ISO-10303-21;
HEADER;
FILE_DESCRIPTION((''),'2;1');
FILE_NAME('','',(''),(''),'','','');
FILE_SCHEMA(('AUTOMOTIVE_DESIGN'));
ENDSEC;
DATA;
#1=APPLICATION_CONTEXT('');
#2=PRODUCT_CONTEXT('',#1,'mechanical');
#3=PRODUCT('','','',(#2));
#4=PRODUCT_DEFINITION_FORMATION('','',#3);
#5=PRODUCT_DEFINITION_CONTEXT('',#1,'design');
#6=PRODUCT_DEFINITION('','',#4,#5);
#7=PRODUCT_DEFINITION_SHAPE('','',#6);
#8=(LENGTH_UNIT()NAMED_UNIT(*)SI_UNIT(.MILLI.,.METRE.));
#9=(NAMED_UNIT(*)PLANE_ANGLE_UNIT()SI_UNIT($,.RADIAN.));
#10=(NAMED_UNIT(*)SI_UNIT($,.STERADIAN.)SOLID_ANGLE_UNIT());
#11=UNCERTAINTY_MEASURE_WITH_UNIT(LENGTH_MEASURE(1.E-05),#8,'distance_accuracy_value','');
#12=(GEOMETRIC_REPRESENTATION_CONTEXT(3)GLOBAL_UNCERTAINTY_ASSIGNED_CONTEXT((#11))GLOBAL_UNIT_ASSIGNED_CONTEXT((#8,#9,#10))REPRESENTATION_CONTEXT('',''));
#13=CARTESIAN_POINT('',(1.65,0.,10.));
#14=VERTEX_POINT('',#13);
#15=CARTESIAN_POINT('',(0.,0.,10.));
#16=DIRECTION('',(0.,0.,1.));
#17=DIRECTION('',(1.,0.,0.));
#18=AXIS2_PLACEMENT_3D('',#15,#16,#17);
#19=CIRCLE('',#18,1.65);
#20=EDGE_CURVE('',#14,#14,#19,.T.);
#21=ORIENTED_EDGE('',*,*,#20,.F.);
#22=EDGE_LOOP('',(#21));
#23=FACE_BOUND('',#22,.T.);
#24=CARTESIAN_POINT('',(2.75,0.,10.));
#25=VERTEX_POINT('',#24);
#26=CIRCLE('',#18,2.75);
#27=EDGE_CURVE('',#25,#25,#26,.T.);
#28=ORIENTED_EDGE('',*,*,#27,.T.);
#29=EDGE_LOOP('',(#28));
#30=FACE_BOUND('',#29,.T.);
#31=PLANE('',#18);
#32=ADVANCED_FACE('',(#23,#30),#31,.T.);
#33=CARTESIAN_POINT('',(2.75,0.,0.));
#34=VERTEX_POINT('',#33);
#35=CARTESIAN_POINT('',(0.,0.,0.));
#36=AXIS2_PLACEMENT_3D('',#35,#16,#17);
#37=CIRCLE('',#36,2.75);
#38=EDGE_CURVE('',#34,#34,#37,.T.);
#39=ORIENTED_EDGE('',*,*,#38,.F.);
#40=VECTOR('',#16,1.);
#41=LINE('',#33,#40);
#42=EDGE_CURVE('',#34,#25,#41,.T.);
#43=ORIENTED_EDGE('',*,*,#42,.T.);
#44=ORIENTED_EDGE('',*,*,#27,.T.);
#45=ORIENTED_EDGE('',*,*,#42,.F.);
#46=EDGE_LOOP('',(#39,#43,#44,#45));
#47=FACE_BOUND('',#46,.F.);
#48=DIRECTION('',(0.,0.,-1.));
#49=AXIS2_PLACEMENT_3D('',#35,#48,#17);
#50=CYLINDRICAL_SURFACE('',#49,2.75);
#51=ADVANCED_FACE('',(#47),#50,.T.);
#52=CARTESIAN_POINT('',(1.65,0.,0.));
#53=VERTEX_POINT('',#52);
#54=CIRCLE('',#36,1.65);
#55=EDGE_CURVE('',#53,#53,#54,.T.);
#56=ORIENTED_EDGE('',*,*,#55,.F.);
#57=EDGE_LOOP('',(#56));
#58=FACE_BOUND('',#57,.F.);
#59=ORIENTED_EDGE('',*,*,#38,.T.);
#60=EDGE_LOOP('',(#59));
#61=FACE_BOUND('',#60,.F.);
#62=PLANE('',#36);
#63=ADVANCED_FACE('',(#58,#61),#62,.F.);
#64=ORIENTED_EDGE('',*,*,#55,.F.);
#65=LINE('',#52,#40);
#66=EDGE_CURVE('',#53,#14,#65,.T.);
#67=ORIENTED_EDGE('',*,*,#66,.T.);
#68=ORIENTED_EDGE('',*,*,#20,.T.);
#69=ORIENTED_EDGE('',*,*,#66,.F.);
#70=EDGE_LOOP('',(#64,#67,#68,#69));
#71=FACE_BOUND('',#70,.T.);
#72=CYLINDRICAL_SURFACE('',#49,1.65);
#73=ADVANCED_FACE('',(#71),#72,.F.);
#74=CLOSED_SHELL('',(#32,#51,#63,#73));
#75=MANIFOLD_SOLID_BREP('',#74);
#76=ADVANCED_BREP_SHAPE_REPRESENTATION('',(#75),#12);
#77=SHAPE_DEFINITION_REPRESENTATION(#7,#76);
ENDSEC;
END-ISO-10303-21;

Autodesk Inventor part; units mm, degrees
ref_plane "YZ Plane" through (0, 0, 0) normal (1, 0, 0) x (0, 1, 0)
ref_plane "XZ Plane" through (0, 0, 0) normal (0, 1, 0) x (-1, 0, 0)
ref_plane "XY Plane" through (0, 0, 0) normal (0, 0, 1) x (1, 0, 0)
sketch "Sketch1" plane through (0, 0, 0) normal (0, 0, 1) x (1, 0, 0)
  circle A0 centre (0, 0) radius 2.75
  circle A1 centre (0, 0) radius 1.65
  dimension "d0" = 5.5
  dimension "d1" = 3.3
extrude "Extrusion1" add sketch "Sketch1" along normal blind 10
properties part number "Movable Stick Fixation"
